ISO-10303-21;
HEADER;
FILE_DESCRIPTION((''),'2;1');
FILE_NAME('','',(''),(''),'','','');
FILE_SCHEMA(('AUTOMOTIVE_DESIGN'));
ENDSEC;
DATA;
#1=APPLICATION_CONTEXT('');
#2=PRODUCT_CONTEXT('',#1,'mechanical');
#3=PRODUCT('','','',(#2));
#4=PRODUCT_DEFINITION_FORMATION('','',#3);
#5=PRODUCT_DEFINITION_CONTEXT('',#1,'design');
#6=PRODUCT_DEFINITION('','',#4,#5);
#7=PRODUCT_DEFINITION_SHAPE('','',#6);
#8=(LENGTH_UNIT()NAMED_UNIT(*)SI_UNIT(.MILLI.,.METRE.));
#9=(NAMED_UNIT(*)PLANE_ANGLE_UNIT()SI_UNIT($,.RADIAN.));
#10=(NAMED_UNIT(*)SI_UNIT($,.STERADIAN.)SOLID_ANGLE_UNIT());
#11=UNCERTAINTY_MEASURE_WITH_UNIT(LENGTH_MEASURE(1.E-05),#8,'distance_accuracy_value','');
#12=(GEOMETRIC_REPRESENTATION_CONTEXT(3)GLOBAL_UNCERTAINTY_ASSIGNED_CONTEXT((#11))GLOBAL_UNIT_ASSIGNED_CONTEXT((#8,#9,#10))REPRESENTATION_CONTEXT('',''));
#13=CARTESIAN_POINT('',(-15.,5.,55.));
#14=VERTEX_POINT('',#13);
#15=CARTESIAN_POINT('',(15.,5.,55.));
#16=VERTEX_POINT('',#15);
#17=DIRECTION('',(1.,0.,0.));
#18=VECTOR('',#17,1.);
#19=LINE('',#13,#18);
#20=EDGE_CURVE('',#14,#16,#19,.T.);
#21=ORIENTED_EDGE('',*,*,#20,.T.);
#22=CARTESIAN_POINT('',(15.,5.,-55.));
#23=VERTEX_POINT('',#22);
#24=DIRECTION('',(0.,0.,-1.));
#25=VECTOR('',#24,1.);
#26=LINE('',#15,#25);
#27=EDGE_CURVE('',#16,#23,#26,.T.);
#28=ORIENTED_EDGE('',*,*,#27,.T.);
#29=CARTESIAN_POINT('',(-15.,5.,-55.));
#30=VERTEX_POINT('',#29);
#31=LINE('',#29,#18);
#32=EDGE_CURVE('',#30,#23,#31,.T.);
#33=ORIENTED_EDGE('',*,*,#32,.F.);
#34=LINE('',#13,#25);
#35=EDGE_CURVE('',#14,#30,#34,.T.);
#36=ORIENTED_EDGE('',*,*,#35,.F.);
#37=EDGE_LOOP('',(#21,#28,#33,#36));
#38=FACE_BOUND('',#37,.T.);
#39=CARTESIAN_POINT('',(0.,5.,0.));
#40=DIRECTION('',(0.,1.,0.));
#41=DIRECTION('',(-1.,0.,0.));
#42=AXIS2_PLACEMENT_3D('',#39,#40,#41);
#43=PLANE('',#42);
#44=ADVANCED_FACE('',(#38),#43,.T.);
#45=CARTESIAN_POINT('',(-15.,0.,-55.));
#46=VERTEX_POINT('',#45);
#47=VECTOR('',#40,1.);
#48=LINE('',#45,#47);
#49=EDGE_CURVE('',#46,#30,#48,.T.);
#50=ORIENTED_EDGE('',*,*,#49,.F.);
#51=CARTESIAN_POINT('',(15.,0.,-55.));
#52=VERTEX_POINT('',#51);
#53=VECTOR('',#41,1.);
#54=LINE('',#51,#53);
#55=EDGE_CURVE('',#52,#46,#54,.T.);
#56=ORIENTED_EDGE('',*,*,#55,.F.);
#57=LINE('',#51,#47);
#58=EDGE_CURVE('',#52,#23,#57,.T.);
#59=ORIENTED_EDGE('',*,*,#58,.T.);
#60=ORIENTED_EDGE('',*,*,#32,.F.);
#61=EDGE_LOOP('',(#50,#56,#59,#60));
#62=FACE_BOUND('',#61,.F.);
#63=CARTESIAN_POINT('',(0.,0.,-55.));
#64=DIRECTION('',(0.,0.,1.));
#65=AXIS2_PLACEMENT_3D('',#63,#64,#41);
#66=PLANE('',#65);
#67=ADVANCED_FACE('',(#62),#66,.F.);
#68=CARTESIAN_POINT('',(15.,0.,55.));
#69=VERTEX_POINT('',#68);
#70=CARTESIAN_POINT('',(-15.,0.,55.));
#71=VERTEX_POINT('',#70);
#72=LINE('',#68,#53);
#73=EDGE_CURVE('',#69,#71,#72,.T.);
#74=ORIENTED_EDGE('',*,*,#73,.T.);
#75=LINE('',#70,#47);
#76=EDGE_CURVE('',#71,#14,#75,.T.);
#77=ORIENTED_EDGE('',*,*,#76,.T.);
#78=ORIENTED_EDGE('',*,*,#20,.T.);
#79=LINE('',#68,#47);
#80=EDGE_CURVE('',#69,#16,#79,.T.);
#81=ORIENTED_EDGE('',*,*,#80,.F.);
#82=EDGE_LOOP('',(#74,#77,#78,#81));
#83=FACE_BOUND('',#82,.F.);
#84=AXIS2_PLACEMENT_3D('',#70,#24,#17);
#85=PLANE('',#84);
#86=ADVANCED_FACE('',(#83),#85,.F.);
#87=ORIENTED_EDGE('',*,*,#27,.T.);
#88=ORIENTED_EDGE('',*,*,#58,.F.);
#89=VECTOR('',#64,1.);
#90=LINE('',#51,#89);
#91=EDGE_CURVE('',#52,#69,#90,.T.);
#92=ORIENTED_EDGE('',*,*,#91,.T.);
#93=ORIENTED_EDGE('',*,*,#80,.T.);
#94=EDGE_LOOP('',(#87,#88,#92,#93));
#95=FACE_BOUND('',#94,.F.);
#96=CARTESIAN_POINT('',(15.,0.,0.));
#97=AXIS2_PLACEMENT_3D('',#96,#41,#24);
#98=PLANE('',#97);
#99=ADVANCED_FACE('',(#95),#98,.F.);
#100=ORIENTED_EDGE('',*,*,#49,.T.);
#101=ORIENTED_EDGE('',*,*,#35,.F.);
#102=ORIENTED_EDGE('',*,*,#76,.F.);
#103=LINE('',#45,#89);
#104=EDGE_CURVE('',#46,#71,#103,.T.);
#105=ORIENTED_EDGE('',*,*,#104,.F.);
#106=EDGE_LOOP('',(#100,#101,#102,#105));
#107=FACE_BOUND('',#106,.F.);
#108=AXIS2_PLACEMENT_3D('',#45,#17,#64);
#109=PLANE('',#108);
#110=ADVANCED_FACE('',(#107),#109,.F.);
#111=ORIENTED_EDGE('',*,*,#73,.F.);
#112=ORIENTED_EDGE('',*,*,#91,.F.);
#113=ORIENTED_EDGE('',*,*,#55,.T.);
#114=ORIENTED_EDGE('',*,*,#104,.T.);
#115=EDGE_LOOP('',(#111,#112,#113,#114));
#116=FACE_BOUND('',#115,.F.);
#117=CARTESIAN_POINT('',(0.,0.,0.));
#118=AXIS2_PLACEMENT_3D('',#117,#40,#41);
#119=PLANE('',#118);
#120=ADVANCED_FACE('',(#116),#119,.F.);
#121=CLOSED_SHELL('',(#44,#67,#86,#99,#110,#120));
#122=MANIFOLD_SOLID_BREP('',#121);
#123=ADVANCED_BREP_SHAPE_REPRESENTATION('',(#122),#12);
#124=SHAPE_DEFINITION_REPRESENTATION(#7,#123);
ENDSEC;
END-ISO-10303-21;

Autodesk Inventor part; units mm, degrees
ref_plane "YZ Plane" through (0, 0, 0) normal (1, 0, 0) x (0, 1, 0)
ref_plane "XZ Plane" through (0, 0, 0) normal (0, 1, 0) x (-1, 0, 0)
ref_plane "XY Plane" through (0, 0, 0) normal (0, 0, 1) x (1, 0, 0)
sketch "Sketch1" plane through (0, 0, 0) normal (0, 1, 0) x (-1, 0, 0)
  line L0 (21, 0) -> (-21, 0) projected
  line L1 (0, -77) -> (0, 77) projected
  line L2 (15, 55) -> (-15, 55)
  line L3 (-15, 55) -> (-15, -55)
  line L4 (-15, -55) -> (15, -55)
  line L5 (15, -55) -> (15, 55)
  point P0 (0, 0)
  point P1 (15, 0)
  point P2 (0, 55)
  dimension "d0" = 30
  dimension "d1" = 110
extrude "Extrusion1" add sketch "Sketch1" along normal blind 5
properties part number "FP Chassis"
